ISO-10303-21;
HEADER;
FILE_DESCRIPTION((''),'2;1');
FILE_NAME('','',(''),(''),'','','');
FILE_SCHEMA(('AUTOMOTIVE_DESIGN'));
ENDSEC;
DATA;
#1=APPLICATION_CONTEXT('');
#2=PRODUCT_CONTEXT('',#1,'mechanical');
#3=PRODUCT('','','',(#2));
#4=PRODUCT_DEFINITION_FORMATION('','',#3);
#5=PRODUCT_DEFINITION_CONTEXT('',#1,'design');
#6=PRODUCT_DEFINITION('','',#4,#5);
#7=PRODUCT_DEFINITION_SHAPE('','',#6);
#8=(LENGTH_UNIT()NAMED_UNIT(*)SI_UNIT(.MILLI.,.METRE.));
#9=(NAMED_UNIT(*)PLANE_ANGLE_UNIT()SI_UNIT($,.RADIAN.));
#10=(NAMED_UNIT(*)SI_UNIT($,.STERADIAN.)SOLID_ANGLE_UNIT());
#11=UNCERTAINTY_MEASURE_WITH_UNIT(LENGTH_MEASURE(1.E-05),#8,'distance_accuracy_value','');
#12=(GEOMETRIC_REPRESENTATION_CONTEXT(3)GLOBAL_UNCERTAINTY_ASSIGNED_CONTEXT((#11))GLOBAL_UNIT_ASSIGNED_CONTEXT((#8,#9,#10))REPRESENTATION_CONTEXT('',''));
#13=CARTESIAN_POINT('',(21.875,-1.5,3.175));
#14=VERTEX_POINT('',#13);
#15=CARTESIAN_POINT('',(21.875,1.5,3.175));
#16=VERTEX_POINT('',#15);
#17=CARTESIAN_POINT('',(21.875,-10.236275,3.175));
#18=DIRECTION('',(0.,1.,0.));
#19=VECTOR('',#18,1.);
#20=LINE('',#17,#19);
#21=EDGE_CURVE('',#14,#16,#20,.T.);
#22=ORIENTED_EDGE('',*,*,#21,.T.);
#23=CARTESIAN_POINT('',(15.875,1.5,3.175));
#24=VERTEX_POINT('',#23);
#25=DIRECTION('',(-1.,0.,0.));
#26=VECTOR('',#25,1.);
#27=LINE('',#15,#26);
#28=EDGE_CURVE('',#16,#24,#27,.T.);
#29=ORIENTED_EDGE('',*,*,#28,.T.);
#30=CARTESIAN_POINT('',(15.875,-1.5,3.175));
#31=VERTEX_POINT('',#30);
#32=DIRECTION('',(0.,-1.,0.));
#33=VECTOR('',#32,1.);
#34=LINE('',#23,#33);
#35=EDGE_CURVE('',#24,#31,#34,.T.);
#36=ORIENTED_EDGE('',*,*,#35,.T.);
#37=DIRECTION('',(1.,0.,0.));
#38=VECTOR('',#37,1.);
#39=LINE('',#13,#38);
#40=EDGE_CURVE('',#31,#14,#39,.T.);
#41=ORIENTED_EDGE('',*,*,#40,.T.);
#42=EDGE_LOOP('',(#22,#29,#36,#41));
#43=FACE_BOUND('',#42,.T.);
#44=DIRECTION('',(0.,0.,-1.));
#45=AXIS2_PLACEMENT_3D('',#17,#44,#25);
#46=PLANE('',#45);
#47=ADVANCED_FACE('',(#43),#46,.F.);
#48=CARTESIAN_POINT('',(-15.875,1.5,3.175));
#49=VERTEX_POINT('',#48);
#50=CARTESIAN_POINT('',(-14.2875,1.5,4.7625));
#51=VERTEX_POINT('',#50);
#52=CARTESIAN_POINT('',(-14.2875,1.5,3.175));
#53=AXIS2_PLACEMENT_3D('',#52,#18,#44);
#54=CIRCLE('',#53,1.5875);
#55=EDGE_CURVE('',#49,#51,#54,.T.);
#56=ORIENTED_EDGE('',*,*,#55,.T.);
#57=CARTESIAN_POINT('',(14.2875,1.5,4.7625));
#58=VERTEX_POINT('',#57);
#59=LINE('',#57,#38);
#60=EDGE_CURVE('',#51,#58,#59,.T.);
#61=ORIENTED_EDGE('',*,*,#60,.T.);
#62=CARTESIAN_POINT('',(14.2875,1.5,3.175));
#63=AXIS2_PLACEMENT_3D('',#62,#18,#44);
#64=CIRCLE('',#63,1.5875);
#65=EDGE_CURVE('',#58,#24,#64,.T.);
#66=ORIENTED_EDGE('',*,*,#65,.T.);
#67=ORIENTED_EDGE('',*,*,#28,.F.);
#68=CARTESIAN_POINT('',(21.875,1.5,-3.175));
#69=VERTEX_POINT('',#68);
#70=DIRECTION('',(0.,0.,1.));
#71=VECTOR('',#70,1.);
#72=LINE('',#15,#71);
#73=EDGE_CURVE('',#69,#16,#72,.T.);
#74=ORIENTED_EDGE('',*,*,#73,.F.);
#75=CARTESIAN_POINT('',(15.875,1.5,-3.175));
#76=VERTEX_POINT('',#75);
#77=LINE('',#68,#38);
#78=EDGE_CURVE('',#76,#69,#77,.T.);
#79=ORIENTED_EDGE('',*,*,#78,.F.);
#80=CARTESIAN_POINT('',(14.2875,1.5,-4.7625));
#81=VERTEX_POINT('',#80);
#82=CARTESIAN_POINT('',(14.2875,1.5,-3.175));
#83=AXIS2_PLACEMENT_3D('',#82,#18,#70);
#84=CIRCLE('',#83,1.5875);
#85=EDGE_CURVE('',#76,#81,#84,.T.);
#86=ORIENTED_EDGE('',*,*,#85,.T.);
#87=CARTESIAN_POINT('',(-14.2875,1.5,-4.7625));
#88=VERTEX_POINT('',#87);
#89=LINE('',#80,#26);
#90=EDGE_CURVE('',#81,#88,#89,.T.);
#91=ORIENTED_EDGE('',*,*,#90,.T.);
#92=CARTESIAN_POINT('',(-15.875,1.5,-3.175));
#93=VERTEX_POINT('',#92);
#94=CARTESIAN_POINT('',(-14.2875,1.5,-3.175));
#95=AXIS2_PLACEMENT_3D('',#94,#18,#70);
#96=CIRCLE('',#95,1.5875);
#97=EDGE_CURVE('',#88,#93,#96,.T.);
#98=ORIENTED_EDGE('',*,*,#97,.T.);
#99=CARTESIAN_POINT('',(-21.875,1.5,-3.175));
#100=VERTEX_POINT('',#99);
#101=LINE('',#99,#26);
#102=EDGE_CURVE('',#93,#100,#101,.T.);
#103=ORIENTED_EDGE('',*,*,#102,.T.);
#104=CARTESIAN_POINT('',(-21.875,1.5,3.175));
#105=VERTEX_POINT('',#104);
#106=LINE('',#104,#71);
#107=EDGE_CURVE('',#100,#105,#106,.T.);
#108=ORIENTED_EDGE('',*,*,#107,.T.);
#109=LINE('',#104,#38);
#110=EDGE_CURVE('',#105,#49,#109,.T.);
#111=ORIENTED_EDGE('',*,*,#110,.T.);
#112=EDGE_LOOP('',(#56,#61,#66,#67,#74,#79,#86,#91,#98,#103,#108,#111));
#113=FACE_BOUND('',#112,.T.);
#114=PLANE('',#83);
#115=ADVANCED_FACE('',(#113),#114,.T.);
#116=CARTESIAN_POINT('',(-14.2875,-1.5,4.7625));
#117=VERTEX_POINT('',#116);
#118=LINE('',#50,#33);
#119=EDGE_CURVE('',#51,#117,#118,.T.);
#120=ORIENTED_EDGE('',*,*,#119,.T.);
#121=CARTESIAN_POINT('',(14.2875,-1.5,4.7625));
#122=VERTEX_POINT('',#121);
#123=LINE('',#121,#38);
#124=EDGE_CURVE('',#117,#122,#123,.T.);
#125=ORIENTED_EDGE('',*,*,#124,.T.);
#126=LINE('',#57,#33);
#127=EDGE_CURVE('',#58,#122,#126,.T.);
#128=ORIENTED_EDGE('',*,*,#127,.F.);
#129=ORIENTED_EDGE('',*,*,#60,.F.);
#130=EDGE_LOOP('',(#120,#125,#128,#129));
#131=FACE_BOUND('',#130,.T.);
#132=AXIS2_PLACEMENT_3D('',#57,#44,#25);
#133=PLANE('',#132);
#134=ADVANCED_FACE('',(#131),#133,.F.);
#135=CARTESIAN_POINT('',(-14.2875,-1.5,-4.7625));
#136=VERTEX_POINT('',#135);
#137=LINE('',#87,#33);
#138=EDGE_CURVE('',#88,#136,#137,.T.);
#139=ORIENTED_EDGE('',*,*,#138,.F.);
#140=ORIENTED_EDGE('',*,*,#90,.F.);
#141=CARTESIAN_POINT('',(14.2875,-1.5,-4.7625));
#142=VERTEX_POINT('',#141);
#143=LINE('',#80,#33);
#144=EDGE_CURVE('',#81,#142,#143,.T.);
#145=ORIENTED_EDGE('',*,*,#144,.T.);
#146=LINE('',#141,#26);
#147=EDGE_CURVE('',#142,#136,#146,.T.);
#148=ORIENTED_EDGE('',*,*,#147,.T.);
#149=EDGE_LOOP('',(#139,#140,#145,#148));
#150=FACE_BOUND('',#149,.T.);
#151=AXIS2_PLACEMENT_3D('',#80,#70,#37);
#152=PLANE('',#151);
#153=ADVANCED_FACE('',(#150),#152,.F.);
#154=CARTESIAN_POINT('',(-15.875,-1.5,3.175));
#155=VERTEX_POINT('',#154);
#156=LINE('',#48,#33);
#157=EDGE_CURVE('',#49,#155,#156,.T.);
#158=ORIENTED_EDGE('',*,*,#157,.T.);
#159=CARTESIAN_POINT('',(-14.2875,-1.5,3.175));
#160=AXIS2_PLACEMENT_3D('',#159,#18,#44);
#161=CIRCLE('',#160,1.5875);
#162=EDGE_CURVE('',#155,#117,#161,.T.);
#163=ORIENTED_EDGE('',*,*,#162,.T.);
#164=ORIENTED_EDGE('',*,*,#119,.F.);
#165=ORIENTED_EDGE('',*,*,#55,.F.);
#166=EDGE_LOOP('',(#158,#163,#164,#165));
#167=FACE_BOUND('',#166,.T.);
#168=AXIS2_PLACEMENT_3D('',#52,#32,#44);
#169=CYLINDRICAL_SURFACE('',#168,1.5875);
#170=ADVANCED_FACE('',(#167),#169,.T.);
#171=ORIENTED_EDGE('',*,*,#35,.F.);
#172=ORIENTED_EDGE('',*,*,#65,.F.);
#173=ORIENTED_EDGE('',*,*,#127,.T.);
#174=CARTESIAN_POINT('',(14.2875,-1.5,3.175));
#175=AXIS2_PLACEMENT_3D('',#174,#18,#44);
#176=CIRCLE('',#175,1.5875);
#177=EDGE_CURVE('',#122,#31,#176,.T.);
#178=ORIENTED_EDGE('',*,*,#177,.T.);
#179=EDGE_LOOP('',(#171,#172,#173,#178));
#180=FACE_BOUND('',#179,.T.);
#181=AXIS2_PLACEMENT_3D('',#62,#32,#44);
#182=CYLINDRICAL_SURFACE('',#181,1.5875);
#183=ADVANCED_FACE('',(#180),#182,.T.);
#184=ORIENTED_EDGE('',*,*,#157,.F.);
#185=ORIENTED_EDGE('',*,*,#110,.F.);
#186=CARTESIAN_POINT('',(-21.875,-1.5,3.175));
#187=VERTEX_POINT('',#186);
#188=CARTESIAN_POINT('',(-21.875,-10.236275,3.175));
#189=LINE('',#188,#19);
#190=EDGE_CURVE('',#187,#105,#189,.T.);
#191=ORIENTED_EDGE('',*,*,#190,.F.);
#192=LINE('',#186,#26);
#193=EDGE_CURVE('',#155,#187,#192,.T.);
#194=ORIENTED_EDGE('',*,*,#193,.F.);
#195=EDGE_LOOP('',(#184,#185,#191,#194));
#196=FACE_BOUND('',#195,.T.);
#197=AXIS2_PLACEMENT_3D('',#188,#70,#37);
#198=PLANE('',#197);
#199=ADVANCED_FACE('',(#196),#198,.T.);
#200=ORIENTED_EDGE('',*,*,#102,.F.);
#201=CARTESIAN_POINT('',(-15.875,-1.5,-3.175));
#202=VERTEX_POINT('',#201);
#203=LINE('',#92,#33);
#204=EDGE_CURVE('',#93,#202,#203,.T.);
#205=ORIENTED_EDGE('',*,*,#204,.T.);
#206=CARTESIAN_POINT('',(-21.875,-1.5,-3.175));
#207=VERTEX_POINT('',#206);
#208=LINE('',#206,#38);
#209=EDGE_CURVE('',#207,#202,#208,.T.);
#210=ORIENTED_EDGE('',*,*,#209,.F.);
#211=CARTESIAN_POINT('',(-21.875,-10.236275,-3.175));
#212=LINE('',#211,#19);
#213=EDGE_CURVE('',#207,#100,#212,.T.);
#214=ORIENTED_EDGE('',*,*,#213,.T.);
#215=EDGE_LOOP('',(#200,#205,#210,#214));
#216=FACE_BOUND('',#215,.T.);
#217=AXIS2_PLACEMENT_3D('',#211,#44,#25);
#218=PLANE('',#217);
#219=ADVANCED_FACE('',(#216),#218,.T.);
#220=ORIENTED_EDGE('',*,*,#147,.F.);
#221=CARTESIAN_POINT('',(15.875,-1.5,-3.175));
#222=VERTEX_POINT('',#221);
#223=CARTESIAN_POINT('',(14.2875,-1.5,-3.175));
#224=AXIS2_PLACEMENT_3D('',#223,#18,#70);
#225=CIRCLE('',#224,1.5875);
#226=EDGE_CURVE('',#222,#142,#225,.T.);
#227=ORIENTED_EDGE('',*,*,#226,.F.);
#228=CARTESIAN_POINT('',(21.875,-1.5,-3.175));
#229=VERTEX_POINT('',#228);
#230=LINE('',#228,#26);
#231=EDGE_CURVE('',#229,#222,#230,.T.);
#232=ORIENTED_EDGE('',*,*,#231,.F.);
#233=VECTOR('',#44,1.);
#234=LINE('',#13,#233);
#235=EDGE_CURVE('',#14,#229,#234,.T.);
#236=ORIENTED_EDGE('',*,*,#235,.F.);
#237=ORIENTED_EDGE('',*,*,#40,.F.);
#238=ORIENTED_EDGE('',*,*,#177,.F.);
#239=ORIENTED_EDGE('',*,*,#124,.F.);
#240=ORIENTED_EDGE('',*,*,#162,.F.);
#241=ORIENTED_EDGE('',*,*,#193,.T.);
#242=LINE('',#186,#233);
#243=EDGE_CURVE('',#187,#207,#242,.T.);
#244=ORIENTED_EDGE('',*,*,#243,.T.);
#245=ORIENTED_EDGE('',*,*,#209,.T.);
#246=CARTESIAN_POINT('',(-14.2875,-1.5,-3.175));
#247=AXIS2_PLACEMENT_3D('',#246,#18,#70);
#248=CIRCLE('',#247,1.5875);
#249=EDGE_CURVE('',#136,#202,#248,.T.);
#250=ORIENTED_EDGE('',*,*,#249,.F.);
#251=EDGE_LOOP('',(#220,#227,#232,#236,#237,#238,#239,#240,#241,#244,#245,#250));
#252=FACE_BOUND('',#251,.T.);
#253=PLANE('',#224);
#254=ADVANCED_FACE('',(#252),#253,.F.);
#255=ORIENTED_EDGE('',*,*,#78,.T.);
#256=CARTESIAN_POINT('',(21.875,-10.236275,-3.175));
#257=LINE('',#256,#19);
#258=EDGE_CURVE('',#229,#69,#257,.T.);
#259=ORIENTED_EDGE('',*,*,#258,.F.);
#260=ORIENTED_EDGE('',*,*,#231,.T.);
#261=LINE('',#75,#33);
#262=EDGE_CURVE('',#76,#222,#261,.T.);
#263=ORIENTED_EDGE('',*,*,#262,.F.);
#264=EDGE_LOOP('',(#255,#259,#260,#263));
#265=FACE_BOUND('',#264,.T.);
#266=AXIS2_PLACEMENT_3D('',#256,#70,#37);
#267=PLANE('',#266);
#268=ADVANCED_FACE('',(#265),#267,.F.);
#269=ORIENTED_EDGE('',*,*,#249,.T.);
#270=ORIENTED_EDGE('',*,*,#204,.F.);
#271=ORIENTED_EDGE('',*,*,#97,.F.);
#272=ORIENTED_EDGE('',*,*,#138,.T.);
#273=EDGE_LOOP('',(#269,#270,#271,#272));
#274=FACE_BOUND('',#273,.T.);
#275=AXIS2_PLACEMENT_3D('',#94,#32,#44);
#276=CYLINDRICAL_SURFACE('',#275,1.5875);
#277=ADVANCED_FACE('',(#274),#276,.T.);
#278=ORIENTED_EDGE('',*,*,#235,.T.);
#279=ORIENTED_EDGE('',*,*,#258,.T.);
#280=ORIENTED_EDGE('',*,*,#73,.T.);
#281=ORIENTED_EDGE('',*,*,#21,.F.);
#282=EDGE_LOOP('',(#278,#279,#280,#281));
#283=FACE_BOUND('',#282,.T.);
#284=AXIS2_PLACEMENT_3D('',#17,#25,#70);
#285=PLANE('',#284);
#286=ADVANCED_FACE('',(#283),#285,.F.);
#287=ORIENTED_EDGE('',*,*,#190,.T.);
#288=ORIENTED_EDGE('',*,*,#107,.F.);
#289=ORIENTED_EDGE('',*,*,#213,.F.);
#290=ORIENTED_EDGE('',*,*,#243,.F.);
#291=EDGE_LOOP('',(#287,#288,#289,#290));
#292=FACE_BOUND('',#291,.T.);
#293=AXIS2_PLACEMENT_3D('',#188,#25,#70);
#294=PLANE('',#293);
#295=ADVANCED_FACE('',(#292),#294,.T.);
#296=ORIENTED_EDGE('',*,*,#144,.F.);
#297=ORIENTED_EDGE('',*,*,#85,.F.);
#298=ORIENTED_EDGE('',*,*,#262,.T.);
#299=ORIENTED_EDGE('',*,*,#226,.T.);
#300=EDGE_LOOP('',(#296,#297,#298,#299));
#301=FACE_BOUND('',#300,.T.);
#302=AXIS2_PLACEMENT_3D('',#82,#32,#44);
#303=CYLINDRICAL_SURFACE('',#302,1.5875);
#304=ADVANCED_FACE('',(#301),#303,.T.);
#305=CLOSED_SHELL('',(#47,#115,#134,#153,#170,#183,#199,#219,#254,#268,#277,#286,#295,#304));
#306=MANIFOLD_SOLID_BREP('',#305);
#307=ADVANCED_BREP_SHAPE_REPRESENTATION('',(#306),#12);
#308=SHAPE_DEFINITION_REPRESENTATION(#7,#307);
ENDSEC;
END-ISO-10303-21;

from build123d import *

# Parameters (mm, degrees)
BOSS_EXTRUDE1_DEPTH = 1.5
SKETCH2_W           = 6
SKETCH2_H           = 6.35
BOSS_EXTRUDE2_DEPTH = 3


with BuildPart() as part:
    # Sketch1 → Boss-Extrude1 (new, symmetric)
    with BuildSketch(Plane(origin=(0, 0, 0), x_dir=(1, 0, 0), z_dir=(0, 1, 0))):
        with BuildLine():
            Line((14.2875, -4.7625), (-14.2875, -4.7625))
            ThreePointArc((-14.2875, -4.7625), (-15.410032015, -4.297532015), (-15.875, -3.175))
            Line((-15.875, -3.175), (-15.875, 3.175))
            ThreePointArc((-15.875, 3.175), (-15.410032015, 4.297532015), (-14.2875, 4.7625))
            Line((-14.2875, 4.7625), (14.2875, 4.7625))
            ThreePointArc((14.2875, 4.7625), (15.410032015, 4.297532015), (15.875, 3.175))
            Line((15.875, 3.175), (15.875, -3.175))
            ThreePointArc((15.875, -3.175), (15.410032015, -4.297532015), (14.2875, -4.7625))
        make_face()
    extrude(amount=BOSS_EXTRUDE1_DEPTH, both=True)

    # Sketch2 → Boss-Extrude2 (add)
    with BuildSketch(Plane(origin=(0, 1.5, 0), x_dir=(1, 0, 0), z_dir=(0, 1, 0))):
        with Locations((-18.875, 0)):
            Rectangle(SKETCH2_W, SKETCH2_H)
    boss_extrude2 = extrude(amount=-BOSS_EXTRUDE2_DEPTH)

    # Mirror1: Boss-Extrude2 across plane
    add(boss_extrude2.mirror(Plane(origin=(0, 0, 0), x_dir=(0, 0, 1), z_dir=(1, 0, 0))))


solid = part.part
